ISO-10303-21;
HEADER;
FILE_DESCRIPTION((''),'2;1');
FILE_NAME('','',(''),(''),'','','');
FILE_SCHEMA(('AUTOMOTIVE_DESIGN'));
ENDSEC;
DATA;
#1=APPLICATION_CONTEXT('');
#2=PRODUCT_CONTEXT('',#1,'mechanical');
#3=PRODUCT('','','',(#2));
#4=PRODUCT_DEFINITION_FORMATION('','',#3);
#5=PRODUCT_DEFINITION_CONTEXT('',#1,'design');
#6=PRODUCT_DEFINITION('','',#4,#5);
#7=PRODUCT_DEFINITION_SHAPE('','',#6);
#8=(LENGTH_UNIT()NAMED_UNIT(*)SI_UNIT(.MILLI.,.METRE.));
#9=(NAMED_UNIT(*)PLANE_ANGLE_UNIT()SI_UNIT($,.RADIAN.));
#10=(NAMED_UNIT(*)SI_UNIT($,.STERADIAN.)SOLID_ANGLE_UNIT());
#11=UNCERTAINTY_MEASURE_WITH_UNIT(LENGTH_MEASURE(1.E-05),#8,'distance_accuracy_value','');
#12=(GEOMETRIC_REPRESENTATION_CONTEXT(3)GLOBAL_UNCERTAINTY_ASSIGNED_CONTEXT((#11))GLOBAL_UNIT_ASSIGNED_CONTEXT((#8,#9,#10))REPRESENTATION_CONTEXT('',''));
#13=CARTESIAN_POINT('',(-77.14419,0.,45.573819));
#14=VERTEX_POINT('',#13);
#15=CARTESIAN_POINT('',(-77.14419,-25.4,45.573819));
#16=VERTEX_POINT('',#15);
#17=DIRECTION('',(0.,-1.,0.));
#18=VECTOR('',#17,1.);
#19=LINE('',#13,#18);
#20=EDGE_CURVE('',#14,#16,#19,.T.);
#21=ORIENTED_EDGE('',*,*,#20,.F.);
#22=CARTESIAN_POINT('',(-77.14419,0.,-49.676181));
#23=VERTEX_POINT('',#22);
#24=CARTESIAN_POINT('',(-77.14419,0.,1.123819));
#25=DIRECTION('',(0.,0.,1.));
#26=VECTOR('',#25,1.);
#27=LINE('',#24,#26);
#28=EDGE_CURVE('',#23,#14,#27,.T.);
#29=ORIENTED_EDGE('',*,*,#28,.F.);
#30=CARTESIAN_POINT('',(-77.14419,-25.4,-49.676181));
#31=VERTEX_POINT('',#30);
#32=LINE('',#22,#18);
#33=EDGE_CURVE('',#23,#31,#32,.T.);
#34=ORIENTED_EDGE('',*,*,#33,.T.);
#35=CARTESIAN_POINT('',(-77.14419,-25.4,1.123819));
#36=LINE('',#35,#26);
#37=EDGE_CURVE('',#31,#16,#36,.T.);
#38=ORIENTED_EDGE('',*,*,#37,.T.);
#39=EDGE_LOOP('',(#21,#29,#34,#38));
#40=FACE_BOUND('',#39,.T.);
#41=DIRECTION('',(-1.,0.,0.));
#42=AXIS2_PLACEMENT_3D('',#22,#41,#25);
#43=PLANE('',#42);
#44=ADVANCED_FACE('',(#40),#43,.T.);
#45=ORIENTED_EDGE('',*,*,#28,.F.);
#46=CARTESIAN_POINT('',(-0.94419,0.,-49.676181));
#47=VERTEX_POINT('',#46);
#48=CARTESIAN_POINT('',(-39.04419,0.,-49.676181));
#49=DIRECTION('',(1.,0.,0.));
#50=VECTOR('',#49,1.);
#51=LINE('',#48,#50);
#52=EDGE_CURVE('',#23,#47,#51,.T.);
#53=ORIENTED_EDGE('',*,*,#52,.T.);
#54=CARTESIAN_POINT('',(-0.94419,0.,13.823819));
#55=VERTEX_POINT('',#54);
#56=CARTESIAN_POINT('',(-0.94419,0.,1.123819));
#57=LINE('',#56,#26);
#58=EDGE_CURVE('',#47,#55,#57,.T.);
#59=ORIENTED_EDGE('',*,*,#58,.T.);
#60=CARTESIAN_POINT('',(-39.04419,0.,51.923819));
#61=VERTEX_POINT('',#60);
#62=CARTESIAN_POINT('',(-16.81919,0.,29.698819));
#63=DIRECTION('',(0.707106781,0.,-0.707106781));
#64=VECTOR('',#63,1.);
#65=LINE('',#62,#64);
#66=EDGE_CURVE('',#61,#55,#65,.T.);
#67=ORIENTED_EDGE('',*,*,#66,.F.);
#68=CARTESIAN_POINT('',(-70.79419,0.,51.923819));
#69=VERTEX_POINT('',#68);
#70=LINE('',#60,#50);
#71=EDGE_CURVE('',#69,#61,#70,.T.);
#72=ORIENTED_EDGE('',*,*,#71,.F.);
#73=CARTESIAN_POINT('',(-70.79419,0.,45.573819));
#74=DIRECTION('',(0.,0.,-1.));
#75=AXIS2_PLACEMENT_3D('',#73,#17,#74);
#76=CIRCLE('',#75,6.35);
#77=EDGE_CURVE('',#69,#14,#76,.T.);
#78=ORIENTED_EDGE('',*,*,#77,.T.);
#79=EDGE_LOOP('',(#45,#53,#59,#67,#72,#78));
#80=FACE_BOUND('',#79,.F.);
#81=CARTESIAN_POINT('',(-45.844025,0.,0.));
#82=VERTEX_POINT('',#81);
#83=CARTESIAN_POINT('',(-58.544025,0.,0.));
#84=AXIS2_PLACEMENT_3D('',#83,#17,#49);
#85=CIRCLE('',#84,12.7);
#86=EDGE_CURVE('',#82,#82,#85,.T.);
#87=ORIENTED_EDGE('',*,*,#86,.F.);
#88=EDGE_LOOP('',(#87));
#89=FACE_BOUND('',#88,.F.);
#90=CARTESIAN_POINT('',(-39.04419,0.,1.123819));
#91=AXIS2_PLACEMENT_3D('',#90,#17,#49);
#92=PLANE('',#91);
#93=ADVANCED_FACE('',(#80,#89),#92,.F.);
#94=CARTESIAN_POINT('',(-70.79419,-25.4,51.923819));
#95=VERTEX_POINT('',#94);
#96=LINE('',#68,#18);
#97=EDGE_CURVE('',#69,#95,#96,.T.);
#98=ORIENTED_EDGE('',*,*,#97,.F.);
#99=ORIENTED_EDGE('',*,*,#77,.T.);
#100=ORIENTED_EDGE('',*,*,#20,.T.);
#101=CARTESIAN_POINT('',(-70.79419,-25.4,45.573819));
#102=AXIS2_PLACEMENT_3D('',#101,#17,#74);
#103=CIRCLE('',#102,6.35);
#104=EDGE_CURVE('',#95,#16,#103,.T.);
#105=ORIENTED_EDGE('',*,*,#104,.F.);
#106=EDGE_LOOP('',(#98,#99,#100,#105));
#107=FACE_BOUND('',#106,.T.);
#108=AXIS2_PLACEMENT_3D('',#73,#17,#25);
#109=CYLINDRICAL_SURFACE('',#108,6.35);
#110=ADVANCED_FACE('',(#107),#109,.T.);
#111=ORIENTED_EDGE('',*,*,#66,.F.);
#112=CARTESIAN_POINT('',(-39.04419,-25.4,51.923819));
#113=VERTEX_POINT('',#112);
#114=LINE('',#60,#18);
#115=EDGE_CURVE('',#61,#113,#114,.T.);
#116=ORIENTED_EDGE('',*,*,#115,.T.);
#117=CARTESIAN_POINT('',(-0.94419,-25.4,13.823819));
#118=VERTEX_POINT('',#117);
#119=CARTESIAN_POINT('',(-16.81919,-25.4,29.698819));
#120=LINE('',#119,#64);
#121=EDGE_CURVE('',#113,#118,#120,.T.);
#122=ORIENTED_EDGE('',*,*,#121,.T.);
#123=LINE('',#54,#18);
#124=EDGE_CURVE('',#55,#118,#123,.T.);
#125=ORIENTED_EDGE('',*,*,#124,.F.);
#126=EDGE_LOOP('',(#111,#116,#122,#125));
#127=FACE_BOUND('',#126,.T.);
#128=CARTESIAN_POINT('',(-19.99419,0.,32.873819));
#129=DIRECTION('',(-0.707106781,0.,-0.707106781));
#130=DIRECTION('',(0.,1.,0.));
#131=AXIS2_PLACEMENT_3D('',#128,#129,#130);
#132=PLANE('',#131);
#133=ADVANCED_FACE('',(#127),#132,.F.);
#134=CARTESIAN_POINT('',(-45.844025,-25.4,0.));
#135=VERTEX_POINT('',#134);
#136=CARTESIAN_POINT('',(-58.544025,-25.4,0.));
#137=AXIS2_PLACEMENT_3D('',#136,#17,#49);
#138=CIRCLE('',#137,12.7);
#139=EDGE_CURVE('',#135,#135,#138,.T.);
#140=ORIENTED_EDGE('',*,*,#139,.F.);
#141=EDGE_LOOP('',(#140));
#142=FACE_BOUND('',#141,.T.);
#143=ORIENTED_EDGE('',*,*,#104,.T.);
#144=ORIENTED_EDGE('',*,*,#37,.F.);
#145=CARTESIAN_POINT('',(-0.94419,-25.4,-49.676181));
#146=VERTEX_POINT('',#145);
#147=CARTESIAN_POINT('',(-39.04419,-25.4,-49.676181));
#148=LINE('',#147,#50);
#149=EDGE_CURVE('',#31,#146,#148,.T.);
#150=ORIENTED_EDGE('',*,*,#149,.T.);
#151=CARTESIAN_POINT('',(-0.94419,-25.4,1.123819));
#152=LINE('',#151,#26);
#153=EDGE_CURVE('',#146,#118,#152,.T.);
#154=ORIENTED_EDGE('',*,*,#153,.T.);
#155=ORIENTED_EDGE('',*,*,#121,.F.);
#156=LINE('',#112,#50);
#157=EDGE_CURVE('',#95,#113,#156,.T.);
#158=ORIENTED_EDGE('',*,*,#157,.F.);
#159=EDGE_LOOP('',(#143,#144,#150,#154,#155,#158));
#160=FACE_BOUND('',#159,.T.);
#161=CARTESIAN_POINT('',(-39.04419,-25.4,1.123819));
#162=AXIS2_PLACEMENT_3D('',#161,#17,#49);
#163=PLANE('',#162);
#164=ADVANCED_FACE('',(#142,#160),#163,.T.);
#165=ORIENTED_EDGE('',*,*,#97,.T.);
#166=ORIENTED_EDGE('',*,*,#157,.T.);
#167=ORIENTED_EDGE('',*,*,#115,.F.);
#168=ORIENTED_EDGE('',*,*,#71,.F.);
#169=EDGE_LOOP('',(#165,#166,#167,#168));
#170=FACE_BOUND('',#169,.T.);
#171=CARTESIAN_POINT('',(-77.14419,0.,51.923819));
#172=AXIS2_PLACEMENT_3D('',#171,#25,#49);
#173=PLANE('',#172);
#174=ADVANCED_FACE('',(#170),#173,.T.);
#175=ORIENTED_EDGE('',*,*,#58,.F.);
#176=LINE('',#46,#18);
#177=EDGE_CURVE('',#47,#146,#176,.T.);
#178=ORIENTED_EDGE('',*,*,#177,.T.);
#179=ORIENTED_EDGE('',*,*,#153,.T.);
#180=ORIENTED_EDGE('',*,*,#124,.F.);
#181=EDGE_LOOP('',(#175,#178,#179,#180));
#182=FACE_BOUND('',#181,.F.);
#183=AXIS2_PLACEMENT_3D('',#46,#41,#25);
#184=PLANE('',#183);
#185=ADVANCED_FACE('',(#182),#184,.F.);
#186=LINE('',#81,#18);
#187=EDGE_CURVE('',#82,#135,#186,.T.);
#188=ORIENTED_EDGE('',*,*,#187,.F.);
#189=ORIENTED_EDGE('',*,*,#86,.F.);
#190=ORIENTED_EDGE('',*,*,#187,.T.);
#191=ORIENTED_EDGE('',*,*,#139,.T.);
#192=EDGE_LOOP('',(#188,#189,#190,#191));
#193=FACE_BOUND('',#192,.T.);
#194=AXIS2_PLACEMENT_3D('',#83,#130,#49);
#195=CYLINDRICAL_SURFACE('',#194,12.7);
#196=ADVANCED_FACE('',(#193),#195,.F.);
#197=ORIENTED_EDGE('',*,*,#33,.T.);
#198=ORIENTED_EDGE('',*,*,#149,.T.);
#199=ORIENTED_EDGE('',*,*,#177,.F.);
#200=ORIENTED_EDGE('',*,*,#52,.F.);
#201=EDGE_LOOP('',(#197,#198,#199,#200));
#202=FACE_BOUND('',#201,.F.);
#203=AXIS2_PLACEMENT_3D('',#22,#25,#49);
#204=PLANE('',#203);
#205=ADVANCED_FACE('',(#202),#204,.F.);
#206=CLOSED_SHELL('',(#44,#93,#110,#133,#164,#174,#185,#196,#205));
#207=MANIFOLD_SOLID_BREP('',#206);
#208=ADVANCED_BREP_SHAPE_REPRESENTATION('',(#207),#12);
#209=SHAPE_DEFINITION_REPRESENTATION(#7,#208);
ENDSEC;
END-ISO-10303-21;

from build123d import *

# Parameters (mm, degrees)
F0_W     = 76.2
F0_H     = 101.6
F0_R     = 12.7
F1_DEPTH = 25.4
F2_SIZE  = 38.1
F3_R     = 6.35


with BuildPart() as f1:
    # F0 (on Front) → F1 (new body)
    with BuildSketch(Plane.XZ):
        with Locations((-39.04419, 1.123819)):
            Rectangle(F0_W, F0_H)
        with Locations((-58.544025, 0)):
            Circle(F0_R, mode=Mode.SUBTRACT)
    extrude(amount=F1_DEPTH)

    # F2
    f2_edges = [f1.edges().sort_by_distance(p)[0] for p in [
        (-0.94419, -12.7, 51.923819),
    ]]
    chamfer(f2_edges, length=F2_SIZE)

    # F3
    f3_edges = [f1.edges().sort_by_distance(p)[0] for p in [
        (-77.14419, -12.7, 51.923819),
    ]]
    fillet(f3_edges, radius=F3_R)


solid = f1.part
